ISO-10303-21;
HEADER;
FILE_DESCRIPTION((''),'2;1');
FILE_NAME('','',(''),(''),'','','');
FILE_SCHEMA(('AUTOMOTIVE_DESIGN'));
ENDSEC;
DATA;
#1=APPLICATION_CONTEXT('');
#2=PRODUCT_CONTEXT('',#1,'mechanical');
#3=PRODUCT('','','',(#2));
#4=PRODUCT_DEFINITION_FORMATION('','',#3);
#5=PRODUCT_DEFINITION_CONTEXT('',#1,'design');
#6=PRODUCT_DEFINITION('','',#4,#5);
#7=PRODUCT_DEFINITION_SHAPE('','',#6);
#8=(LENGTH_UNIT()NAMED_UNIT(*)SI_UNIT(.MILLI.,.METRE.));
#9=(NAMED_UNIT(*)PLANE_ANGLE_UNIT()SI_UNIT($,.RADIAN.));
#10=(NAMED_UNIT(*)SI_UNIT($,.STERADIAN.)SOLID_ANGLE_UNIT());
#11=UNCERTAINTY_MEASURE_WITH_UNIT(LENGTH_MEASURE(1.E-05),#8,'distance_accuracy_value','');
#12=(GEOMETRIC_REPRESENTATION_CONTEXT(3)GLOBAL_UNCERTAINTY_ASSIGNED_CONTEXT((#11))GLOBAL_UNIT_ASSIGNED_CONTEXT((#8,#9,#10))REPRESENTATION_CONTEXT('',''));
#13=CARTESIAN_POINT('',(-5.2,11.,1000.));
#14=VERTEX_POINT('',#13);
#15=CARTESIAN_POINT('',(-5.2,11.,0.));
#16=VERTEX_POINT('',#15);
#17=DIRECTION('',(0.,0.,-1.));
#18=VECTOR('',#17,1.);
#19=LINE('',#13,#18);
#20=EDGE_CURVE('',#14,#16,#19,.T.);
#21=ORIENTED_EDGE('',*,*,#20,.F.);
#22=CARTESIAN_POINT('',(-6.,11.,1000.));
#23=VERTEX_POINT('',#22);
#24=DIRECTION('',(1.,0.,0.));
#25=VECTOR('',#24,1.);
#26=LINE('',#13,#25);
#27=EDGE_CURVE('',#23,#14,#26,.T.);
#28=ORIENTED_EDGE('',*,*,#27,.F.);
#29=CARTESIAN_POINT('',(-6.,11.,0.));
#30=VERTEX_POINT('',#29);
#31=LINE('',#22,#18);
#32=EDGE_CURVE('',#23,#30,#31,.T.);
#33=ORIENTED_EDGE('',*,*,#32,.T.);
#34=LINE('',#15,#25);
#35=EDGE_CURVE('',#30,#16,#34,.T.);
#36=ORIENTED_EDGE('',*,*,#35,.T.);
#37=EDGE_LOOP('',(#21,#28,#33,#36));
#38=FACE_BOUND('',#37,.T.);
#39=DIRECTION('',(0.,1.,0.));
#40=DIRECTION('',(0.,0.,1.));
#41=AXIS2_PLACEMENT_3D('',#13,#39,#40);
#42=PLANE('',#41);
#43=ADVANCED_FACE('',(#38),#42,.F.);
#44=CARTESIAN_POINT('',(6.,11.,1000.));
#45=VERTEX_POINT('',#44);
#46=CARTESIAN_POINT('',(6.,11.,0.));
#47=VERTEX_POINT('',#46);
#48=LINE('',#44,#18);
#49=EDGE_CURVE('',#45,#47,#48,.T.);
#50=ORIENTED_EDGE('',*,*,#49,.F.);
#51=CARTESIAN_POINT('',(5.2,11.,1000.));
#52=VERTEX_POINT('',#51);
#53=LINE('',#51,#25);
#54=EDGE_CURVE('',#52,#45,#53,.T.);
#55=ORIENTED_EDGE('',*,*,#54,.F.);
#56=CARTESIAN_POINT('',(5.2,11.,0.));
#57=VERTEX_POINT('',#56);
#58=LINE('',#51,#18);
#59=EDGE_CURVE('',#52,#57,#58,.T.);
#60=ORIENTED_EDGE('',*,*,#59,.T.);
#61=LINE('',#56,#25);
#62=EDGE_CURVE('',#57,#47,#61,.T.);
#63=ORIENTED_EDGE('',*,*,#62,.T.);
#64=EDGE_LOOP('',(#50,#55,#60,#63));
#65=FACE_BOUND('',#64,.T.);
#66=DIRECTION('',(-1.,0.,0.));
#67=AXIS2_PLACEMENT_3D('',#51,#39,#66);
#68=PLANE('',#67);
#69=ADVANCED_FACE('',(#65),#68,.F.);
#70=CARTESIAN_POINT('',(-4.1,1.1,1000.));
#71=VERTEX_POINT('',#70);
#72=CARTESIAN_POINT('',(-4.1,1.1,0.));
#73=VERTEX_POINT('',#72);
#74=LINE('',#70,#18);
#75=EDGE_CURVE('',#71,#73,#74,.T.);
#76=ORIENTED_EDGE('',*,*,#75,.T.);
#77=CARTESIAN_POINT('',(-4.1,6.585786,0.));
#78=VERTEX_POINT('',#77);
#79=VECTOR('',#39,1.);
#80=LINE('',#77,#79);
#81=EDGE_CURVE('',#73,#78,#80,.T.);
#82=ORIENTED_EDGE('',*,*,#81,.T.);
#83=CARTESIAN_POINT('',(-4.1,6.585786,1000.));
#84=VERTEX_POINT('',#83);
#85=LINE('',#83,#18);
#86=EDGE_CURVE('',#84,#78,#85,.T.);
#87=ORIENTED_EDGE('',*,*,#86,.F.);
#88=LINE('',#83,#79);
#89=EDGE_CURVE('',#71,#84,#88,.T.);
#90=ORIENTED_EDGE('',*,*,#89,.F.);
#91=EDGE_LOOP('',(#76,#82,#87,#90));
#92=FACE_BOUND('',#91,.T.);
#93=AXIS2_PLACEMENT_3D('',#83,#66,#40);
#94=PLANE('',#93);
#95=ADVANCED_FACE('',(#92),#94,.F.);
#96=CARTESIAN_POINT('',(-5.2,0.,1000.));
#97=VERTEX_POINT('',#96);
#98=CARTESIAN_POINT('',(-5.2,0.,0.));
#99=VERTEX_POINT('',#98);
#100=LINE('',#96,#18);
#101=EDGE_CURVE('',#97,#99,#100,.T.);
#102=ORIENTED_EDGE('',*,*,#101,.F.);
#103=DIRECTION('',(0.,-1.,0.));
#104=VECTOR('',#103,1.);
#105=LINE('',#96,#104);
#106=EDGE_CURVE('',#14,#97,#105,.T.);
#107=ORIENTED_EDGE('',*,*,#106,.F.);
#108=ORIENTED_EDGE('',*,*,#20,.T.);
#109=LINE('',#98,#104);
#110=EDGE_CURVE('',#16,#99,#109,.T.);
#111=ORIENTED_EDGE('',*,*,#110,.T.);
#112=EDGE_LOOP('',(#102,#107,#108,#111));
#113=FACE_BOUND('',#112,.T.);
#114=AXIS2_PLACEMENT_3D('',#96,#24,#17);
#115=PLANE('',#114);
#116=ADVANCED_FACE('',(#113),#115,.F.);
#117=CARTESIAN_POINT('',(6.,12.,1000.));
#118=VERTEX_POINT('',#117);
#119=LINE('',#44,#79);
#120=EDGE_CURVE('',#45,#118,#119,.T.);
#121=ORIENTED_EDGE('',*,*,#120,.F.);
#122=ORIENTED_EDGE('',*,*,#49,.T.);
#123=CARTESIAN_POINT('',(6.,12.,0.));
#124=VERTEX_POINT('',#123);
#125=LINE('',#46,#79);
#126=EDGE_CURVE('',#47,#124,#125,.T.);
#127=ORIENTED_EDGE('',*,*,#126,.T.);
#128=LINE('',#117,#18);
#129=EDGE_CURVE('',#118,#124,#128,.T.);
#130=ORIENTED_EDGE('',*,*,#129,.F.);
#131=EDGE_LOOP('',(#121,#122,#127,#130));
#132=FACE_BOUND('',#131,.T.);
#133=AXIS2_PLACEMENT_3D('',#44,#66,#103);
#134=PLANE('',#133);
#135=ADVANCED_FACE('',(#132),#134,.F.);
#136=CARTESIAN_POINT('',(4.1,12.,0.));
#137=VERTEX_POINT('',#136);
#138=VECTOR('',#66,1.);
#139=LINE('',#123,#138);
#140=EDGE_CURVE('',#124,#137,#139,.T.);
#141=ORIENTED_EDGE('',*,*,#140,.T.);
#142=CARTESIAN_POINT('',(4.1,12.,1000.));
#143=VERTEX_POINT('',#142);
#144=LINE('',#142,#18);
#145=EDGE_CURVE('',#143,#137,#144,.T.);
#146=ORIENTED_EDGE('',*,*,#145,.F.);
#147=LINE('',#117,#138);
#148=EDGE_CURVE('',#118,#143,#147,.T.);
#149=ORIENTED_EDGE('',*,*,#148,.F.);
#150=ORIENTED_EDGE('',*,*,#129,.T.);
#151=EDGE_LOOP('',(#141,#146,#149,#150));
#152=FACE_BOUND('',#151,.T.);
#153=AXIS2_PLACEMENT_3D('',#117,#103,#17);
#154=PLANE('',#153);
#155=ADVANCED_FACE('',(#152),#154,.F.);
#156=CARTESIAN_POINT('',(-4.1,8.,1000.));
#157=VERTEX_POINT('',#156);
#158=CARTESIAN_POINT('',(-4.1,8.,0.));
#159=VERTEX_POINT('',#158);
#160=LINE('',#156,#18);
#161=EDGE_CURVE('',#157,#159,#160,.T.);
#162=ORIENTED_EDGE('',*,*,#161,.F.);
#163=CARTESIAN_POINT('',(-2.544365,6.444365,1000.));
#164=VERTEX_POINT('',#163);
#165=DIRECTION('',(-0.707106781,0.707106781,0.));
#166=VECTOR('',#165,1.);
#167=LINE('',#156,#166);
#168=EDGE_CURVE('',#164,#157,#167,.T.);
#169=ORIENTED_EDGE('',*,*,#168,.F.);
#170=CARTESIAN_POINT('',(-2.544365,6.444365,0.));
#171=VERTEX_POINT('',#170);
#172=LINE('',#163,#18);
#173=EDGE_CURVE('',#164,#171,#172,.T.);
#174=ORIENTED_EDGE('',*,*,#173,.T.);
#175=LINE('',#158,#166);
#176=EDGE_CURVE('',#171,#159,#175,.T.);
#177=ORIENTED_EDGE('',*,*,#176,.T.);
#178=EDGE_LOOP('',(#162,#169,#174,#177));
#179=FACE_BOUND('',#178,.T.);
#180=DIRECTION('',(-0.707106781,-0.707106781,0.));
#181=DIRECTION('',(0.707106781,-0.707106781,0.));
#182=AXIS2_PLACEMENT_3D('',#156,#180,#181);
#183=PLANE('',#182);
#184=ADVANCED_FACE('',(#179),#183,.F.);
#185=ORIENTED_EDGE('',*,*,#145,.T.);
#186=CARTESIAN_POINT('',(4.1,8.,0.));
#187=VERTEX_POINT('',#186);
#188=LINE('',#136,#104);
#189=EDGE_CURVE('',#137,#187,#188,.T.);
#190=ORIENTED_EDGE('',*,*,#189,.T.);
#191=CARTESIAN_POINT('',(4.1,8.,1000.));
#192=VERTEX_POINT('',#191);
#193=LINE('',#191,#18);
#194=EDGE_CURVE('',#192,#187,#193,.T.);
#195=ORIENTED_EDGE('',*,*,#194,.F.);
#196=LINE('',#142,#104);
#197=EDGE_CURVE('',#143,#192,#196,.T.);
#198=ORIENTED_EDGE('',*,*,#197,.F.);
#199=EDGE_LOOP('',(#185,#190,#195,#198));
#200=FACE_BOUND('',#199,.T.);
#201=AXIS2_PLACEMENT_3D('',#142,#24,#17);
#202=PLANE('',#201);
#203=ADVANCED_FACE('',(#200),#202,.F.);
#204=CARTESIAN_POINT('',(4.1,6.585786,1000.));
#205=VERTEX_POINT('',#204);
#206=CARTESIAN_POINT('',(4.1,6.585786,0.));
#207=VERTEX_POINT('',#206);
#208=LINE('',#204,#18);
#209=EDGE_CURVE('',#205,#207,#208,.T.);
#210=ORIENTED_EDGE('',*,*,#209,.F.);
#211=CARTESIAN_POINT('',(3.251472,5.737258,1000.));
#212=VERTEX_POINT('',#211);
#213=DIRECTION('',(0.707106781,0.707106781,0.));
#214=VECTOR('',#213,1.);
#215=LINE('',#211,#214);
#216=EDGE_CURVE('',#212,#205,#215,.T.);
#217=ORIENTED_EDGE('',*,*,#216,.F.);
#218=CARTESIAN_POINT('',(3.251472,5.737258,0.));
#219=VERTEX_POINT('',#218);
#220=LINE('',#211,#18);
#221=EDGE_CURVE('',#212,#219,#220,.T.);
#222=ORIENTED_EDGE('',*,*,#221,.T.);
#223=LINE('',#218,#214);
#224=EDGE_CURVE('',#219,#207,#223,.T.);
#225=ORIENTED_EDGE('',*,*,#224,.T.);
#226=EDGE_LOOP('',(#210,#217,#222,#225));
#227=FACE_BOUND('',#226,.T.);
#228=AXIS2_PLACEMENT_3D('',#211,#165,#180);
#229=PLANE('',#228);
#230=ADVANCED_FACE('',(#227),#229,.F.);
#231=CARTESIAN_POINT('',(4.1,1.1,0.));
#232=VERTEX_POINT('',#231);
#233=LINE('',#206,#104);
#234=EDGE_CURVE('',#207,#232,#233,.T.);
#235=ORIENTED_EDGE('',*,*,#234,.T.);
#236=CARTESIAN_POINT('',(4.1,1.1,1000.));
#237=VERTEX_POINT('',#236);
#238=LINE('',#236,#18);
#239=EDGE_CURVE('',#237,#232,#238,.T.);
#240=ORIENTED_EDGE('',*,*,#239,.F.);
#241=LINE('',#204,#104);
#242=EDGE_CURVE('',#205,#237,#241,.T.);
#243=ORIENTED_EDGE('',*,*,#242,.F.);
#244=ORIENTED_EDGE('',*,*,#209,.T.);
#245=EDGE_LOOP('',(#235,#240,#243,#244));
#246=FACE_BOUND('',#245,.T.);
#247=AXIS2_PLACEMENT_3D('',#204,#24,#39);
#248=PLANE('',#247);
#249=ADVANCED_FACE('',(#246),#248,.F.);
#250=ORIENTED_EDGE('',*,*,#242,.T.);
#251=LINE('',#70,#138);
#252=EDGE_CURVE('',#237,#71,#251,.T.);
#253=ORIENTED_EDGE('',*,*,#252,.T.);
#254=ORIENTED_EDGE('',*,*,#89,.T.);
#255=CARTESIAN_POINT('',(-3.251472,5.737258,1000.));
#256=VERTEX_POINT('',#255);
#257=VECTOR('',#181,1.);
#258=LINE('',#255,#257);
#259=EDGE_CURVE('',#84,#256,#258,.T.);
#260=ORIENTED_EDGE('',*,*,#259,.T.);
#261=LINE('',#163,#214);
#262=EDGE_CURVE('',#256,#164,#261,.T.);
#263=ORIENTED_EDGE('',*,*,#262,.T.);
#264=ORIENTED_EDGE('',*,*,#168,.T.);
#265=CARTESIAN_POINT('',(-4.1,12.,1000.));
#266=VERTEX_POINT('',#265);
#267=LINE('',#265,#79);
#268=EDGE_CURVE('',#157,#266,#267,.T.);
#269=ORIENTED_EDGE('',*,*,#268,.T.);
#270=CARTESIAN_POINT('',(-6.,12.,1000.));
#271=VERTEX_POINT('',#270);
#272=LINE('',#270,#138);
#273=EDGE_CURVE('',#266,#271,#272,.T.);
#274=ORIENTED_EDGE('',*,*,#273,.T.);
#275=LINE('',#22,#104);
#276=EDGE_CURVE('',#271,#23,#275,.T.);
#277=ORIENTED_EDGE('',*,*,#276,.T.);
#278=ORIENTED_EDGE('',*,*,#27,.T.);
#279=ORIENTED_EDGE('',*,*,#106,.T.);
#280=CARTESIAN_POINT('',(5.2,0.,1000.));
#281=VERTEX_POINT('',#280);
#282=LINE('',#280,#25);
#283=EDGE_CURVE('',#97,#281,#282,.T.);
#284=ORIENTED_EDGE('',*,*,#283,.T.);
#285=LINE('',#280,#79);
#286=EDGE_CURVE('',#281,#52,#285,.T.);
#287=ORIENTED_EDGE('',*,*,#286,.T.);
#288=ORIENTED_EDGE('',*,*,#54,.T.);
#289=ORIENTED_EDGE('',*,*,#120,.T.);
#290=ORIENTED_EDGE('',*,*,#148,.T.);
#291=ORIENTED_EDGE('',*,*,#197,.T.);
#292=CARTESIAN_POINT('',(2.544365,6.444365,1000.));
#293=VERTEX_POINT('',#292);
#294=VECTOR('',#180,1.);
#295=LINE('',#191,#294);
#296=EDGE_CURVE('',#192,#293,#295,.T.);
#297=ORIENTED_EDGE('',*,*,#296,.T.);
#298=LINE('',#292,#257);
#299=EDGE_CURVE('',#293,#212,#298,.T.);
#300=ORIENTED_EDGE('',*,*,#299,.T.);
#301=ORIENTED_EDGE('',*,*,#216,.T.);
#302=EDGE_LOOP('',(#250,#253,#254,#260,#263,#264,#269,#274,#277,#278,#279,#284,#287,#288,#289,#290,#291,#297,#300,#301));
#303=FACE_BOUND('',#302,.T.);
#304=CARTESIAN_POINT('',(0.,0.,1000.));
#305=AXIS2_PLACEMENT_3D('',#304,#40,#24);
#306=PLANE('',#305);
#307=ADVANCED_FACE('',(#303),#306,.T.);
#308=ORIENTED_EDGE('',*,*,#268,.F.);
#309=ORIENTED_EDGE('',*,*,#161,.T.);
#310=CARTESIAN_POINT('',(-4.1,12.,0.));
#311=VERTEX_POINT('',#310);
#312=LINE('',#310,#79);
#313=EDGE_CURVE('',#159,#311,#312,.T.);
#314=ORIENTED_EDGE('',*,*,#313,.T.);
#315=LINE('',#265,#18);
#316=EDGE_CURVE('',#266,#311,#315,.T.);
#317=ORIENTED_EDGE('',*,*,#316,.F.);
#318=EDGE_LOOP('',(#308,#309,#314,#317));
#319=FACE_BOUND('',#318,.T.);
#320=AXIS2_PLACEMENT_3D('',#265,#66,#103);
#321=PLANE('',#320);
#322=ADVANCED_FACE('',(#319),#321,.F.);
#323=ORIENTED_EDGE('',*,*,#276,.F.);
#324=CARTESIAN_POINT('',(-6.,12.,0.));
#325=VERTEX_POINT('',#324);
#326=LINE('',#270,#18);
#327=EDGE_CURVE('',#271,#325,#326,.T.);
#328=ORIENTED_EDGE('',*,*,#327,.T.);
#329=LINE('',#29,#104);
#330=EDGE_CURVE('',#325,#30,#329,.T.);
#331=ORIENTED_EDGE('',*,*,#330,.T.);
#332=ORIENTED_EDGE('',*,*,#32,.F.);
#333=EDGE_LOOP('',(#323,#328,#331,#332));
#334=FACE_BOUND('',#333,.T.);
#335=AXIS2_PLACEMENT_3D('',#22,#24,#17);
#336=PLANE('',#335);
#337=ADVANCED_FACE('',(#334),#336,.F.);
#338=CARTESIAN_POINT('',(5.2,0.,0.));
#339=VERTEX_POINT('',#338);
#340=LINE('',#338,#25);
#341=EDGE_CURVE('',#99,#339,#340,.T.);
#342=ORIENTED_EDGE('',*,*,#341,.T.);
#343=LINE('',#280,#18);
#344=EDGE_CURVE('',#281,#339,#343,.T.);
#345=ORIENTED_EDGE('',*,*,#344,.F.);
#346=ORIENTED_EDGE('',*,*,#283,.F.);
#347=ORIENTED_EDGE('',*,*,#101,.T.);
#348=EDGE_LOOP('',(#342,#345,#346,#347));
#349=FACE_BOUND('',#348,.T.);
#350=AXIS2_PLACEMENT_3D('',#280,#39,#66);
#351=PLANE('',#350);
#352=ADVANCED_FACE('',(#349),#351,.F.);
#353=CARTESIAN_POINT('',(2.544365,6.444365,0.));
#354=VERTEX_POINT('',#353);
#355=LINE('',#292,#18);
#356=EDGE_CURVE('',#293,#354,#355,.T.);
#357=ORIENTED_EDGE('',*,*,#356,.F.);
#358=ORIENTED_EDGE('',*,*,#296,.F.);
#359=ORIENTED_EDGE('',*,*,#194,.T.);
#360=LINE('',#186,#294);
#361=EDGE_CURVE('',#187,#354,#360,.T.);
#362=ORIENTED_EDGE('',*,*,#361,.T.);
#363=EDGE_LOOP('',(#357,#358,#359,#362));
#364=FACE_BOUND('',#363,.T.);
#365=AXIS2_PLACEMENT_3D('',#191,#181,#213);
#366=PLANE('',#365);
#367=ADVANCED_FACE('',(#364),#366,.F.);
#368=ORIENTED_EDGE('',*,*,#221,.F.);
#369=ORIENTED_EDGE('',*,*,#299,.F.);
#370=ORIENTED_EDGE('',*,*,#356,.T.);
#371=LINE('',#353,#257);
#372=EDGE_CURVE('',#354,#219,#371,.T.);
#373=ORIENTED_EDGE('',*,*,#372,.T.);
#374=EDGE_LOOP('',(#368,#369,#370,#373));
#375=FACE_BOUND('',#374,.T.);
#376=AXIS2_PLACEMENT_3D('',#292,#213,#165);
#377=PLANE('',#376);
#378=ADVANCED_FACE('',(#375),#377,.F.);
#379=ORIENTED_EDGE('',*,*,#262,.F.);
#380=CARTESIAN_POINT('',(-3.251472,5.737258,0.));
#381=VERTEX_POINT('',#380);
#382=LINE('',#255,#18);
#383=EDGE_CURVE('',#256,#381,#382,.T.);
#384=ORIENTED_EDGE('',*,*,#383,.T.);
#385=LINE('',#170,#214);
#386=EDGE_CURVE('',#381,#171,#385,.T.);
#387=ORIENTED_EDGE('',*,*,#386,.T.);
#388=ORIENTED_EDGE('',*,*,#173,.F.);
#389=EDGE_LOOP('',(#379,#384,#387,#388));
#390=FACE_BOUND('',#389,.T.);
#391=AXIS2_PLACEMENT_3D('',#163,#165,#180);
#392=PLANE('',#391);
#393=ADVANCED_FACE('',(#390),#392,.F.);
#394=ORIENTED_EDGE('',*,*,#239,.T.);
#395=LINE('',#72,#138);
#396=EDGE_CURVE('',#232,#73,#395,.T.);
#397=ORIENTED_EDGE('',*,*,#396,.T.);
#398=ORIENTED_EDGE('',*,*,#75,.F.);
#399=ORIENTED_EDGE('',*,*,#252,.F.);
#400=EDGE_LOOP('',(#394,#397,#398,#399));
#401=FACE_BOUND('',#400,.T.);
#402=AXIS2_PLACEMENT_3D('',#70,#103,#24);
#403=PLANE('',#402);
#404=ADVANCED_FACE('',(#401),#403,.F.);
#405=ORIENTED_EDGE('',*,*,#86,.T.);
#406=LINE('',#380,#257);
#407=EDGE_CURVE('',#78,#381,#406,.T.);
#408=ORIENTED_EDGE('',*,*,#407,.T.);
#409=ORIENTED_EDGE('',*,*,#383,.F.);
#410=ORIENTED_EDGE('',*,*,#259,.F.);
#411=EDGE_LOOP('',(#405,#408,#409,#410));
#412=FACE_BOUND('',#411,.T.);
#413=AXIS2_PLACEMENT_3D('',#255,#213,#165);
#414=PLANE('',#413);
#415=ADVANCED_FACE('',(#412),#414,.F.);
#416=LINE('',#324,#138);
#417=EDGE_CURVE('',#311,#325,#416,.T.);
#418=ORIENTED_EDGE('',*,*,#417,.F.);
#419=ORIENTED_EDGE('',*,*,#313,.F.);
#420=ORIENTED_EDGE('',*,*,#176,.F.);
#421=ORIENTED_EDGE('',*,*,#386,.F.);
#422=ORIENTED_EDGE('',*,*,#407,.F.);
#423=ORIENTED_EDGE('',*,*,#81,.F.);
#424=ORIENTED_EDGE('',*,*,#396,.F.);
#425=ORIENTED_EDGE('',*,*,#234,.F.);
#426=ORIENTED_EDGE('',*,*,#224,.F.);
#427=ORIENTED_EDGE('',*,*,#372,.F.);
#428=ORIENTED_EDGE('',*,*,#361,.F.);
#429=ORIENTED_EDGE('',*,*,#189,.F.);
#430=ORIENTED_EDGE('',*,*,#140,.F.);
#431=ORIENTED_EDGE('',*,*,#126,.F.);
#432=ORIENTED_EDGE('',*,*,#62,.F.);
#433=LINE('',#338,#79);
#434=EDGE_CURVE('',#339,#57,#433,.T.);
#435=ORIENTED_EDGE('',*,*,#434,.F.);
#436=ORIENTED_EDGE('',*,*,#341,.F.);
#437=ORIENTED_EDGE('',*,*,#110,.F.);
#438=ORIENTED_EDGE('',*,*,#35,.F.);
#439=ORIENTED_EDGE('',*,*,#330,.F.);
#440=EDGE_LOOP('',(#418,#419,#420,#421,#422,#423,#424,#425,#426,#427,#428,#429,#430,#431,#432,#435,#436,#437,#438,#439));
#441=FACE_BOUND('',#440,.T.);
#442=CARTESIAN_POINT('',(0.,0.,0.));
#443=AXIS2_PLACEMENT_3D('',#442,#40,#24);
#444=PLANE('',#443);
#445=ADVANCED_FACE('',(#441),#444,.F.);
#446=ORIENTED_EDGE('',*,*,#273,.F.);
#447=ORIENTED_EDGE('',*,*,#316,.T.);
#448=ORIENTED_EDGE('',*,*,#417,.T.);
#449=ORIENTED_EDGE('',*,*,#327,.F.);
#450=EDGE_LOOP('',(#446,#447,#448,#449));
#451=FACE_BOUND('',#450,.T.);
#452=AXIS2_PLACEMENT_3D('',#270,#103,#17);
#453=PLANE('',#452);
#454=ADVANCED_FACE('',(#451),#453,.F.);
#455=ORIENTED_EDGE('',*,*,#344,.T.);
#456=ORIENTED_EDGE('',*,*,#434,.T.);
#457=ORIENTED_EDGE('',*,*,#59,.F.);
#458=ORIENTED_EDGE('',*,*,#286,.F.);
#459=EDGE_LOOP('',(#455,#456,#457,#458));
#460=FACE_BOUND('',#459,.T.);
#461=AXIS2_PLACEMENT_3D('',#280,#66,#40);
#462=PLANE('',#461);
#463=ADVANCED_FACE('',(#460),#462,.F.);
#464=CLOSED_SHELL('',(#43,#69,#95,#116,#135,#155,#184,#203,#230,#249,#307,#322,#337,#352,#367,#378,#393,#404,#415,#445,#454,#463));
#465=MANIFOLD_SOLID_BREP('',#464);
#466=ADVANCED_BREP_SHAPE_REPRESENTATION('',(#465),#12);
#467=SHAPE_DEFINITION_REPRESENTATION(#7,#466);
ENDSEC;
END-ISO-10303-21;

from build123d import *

# Parameters (mm, degrees)
EXTRUDE_1_DEPTH = 1000


with BuildPart() as part:
    # Эскиз1 → Бобышка-Вытянуть1 (new body)
    with BuildSketch(Plane.XY):
        Polygon((5.2, 0), (-5.2, 0), (-5.2, 11), (-6, 11), (-6, 12), (-4.1, 12), (-4.1, 8), (-2.544365081, 6.444365081), (-3.251471863, 5.7372583), (-4.1, 6.585786438), (-4.1, 1.1), (4.1, 1.1), (4.1, 6.585786438), (3.251471863, 5.7372583), (2.544365081, 6.444365081), (4.1, 8), (4.1, 12), (6, 12), (6, 11), (5.2, 11), align=None)
    extrude(amount=EXTRUDE_1_DEPTH)


solid = part.part
